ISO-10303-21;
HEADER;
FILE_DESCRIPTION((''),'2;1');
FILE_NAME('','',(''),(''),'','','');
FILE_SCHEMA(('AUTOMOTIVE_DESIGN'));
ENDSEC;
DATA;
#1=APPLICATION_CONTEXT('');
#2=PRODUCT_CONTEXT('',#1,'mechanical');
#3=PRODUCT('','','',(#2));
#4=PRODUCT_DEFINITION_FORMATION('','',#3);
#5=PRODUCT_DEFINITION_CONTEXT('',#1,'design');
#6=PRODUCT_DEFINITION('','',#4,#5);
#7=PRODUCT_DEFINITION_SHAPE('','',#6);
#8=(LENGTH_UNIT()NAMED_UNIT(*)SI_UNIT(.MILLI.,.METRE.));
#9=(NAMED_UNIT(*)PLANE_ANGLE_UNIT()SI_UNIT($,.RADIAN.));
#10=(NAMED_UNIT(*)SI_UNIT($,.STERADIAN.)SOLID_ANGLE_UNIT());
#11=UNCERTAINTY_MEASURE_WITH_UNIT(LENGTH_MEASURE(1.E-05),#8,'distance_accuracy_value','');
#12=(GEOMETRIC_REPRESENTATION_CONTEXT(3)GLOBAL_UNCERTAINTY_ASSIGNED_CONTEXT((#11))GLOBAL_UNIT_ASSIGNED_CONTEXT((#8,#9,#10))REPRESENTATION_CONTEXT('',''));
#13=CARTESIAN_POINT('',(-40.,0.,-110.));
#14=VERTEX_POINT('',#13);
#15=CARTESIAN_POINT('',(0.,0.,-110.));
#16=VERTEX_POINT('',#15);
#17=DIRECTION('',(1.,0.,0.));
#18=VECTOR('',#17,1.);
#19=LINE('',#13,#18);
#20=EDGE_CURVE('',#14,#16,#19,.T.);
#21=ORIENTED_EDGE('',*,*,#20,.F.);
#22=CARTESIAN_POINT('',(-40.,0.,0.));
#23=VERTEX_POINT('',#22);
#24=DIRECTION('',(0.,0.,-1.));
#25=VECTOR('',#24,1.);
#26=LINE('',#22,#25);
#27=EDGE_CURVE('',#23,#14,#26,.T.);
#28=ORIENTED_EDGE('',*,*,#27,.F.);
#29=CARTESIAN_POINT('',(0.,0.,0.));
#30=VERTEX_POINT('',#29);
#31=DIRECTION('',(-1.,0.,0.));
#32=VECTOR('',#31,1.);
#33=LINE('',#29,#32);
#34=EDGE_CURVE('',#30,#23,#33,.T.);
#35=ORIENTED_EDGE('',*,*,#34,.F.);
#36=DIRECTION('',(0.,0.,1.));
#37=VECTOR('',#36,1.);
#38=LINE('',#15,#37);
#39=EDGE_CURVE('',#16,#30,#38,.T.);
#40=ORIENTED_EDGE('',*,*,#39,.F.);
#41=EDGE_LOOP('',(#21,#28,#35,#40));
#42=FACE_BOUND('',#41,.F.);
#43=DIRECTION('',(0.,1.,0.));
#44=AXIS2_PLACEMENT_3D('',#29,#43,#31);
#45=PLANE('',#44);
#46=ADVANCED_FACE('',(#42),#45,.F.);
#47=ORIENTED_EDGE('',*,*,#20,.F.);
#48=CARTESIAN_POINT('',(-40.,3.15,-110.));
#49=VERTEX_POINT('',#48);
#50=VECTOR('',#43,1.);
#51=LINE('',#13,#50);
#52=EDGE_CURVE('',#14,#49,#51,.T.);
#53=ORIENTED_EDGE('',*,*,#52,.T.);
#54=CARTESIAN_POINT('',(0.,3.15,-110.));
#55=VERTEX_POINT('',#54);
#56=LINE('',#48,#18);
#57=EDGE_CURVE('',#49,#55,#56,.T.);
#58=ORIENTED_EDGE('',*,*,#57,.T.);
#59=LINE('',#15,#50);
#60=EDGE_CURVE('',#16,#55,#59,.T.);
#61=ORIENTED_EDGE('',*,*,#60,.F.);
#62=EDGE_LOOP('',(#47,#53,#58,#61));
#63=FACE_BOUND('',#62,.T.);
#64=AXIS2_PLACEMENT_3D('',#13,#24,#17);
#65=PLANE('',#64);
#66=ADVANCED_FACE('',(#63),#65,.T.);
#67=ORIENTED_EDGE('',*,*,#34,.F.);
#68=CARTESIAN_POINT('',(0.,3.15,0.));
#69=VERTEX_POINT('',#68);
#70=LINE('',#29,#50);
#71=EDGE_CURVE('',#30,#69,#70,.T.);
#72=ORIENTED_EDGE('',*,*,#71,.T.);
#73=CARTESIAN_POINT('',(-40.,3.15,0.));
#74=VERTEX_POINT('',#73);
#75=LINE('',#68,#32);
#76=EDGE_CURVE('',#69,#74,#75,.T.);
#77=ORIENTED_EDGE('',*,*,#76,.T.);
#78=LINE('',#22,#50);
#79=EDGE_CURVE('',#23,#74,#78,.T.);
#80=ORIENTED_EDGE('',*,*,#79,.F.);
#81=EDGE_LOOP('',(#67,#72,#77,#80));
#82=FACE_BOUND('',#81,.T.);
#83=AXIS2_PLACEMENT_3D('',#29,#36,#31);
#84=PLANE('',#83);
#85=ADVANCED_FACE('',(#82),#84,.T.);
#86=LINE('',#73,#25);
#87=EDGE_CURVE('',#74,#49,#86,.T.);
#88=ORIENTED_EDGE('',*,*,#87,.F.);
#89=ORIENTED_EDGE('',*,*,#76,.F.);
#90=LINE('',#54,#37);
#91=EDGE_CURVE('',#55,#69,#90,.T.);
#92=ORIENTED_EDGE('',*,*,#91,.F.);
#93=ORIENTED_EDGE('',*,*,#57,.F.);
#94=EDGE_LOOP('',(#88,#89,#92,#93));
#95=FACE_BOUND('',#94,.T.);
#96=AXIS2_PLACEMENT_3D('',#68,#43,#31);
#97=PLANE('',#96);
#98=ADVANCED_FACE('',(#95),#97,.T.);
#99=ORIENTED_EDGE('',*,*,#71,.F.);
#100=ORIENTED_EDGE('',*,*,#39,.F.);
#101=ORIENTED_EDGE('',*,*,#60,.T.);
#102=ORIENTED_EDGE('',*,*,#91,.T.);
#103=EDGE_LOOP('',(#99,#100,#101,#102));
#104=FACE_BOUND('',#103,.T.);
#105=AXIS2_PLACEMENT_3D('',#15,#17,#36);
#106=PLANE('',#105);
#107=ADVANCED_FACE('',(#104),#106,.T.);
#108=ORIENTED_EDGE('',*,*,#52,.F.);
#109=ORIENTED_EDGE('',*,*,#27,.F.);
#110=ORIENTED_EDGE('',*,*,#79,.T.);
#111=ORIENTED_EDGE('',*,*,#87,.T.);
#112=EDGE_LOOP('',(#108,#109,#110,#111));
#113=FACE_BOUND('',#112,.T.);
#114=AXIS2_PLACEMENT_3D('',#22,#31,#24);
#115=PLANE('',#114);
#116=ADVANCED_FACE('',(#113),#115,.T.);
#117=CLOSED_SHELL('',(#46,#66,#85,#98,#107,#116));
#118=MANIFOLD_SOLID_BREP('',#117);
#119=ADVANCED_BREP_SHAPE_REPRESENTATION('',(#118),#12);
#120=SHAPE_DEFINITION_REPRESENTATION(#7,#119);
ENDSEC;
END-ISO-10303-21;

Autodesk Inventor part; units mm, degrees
ref_plane "YZ Plane" through (0, 0, 0) normal (1, 0, 0) x (0, 1, 0)
ref_plane "XZ Plane" through (0, 0, 0) normal (0, 1, 0) x (-1, 0, 0)
ref_plane "XY Plane" through (0, 0, 0) normal (0, 0, 1) x (1, 0, 0)
sketch "Sketch1" plane through (0, 0, 0) normal (0, 1, 0) x (-1, 0, 0)
  line L0 (0, 0) -> (40, 0)
  line L1 (40, 0) -> (40, -110)
  line L2 (40, -110) -> (0, -110)
  line L3 (0, -110) -> (0, 0)
  dimension "d0" = 40
  dimension "d1" = 110
extrude "Extrusion1" add sketch "Sketch1" along normal blind 3.15
properties part number "fin_segment (SIMPLIFIED)"
